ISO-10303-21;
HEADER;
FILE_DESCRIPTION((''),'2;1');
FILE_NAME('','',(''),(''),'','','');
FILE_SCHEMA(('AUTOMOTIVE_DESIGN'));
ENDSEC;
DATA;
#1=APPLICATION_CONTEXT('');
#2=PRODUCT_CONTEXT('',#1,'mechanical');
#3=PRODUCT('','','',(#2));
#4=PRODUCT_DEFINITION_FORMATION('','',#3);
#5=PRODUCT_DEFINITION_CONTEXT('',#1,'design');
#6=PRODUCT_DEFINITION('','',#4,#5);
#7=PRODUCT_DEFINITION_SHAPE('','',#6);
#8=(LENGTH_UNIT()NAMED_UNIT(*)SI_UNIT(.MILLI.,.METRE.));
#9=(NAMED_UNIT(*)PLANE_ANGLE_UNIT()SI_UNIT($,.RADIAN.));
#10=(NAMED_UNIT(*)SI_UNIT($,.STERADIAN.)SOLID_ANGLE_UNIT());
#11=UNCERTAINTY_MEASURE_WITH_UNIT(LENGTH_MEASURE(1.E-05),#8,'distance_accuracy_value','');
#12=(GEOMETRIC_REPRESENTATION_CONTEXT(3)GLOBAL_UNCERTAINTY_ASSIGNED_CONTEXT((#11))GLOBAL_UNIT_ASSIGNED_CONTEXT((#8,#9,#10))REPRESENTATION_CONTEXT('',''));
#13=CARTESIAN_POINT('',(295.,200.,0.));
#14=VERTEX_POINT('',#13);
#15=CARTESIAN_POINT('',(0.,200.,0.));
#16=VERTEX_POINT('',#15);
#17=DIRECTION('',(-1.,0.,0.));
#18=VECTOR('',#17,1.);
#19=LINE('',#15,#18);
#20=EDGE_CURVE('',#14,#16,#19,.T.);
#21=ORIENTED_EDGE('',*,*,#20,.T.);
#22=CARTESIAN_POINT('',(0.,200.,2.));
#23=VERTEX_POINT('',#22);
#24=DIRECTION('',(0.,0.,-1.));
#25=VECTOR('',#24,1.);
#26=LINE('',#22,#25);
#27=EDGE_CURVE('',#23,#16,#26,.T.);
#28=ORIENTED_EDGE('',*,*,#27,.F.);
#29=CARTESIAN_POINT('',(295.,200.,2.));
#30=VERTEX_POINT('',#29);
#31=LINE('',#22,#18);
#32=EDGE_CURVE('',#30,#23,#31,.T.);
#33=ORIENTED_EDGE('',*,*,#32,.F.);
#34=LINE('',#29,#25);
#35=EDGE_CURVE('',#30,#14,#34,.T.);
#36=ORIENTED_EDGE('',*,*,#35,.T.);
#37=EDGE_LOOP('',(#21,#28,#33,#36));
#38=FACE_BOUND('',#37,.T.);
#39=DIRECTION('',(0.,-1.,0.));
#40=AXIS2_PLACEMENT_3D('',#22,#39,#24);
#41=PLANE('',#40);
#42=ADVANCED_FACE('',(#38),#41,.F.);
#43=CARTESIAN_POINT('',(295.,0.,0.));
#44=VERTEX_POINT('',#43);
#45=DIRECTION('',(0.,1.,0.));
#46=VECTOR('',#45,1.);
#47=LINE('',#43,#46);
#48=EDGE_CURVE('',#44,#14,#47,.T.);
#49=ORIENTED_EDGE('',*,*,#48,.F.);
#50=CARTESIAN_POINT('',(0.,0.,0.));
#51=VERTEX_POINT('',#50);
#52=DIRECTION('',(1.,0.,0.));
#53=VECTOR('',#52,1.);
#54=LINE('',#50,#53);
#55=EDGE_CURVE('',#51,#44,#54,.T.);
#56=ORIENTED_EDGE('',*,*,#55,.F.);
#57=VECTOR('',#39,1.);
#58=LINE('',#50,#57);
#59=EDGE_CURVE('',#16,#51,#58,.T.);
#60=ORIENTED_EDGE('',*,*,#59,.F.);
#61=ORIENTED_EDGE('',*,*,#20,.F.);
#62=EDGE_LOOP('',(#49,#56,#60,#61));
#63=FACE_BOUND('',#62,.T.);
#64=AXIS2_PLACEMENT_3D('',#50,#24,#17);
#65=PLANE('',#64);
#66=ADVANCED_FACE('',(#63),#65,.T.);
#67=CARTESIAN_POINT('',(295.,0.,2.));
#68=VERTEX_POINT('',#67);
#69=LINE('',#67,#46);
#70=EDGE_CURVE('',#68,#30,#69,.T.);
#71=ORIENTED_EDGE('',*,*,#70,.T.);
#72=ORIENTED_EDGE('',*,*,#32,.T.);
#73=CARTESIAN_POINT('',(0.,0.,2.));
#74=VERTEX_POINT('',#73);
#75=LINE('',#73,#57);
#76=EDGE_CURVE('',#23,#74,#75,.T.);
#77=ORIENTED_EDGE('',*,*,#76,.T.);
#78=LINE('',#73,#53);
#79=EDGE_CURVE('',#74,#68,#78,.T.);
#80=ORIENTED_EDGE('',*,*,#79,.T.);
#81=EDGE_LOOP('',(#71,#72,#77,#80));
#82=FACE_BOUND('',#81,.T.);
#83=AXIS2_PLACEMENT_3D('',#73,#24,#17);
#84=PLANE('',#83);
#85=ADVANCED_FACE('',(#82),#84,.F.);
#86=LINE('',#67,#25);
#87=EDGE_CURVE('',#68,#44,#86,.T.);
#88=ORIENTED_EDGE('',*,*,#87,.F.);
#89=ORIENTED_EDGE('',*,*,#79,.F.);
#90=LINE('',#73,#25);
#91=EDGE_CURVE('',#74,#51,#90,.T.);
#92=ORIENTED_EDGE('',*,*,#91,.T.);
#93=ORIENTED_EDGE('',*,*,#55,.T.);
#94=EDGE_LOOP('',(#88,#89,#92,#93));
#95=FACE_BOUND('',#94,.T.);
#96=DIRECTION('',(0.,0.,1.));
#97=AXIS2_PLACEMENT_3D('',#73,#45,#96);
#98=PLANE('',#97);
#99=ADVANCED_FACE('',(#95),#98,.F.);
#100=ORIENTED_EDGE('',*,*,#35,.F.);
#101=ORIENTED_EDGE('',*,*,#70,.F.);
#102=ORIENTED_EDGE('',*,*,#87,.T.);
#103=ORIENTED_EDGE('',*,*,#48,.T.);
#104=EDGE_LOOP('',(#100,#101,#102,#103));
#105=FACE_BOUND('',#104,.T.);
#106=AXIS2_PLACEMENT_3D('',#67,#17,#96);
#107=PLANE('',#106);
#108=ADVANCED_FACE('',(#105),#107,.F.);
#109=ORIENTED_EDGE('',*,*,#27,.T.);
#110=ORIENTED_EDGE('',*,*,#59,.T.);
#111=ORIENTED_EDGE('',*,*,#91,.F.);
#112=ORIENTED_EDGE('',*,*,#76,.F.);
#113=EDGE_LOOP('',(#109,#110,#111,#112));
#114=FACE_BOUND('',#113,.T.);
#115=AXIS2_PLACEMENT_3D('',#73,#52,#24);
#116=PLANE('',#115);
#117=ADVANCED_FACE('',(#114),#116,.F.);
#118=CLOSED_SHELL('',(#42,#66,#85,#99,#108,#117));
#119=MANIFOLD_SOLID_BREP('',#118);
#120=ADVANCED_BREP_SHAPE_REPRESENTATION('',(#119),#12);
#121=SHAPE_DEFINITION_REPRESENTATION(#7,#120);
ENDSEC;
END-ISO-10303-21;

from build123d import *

# Parameters (mm, degrees)
SKETCH1_W           = 295
SKETCH1_H           = 200
BOSS_EXTRUDE1_DEPTH = 2


with BuildPart() as part:
    # Sketch1 → Boss-Extrude1 (new body)
    with BuildSketch(Plane.XY):
        with Locations((147.5, 100)):
            Rectangle(SKETCH1_W, SKETCH1_H)
    extrude(amount=BOSS_EXTRUDE1_DEPTH)


solid = part.part
